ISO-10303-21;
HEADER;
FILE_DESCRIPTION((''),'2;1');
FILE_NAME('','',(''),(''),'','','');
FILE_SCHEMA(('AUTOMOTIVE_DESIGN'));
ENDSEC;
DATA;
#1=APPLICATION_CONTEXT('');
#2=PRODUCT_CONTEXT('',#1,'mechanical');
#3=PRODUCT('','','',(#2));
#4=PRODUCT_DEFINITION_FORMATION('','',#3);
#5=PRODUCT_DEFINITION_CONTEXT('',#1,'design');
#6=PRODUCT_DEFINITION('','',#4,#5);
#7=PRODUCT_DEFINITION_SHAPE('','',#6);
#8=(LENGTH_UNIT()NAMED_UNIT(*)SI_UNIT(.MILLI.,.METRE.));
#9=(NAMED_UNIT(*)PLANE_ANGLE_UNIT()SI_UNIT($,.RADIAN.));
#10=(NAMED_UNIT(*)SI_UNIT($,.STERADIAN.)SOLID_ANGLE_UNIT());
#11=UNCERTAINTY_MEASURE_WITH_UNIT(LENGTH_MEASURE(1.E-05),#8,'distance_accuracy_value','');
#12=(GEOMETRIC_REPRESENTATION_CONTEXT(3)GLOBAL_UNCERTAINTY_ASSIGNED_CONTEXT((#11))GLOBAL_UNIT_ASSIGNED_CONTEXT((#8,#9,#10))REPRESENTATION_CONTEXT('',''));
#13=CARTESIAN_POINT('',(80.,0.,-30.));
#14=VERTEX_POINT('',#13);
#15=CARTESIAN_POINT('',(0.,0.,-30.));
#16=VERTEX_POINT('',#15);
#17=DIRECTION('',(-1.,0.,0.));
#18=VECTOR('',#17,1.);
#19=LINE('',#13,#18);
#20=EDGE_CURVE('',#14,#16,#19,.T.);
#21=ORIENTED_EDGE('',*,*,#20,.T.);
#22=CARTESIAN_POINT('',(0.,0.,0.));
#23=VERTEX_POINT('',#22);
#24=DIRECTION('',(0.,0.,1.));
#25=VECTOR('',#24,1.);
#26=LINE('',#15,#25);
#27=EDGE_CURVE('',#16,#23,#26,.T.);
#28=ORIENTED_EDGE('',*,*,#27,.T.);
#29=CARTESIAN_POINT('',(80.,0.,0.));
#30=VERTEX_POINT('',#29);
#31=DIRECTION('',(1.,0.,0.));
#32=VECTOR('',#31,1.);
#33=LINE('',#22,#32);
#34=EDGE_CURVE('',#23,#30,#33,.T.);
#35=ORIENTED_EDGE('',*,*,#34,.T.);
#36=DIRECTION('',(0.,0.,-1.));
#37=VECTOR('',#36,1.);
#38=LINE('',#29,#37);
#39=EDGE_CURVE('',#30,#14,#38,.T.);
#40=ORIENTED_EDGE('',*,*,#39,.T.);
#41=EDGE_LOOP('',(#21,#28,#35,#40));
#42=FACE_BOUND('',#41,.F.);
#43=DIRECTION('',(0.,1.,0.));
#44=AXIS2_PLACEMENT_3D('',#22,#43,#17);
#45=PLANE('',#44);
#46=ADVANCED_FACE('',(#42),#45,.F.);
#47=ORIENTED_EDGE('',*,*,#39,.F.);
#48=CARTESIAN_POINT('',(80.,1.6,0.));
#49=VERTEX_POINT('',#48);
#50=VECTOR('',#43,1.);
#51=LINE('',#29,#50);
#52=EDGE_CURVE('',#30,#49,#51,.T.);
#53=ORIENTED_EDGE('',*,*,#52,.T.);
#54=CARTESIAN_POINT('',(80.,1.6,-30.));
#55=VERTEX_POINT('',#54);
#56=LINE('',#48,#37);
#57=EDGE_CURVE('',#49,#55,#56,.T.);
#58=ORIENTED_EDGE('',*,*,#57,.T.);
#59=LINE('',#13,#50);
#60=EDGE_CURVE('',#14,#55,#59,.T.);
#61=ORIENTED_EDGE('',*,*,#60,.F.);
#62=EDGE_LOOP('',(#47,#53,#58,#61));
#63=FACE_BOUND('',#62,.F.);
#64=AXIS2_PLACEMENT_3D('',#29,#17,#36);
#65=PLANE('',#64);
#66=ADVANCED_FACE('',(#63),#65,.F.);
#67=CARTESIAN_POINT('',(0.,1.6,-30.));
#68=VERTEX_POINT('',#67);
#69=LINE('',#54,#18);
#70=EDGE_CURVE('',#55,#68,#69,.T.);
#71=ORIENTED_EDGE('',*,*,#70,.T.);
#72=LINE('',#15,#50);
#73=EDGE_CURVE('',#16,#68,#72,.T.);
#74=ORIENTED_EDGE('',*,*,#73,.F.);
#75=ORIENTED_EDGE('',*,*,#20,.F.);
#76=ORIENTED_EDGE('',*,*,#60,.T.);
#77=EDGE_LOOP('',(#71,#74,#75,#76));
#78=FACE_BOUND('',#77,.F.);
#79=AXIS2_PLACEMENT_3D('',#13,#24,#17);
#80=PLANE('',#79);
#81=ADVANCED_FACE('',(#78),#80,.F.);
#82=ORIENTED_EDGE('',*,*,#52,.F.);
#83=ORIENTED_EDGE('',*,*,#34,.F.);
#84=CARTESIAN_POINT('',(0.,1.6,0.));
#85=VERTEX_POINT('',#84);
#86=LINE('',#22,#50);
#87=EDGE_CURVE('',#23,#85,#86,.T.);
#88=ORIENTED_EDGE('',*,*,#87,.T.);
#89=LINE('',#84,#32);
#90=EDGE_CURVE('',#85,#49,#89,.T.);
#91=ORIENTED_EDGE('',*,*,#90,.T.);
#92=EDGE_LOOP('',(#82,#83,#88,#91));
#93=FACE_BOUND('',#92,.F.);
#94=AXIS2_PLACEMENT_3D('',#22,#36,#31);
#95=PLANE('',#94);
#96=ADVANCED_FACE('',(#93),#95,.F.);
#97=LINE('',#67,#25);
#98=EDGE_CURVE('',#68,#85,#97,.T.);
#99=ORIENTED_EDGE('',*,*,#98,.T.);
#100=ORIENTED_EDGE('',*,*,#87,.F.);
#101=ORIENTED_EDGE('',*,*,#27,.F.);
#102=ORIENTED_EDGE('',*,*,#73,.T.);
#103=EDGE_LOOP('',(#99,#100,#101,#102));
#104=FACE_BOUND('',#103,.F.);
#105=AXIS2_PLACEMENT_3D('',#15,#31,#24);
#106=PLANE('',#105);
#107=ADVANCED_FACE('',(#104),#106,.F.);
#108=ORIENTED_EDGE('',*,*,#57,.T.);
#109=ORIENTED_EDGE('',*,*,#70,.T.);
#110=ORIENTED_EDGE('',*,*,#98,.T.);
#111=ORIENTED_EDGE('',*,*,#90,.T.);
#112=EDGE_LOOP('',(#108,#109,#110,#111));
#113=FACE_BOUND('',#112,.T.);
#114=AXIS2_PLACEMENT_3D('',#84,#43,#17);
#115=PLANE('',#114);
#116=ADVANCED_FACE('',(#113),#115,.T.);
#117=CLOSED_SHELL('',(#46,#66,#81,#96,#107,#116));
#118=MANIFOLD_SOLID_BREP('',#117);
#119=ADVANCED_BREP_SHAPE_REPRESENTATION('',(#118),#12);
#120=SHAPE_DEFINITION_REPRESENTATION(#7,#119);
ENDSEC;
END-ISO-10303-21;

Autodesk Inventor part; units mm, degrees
ref_plane "YZ Plane" through (0, 0, 0) normal (1, 0, 0) x (0, 1, 0)
ref_plane "XZ Plane" through (0, 0, 0) normal (0, 1, 0) x (-1, 0, 0)
ref_plane "XY Plane" through (0, 0, 0) normal (0, 0, 1) x (1, 0, 0)
sketch "Sketch1" plane through (0, 0, 0) normal (0, 1, 0) x (-1, 0, 0)
  line L0 (0, 0) -> (-80, 0)
  line L1 (-80, 0) -> (-80, -30)
  line L2 (-80, -30) -> (0, -30)
  line L3 (0, -30) -> (0, 0)
  dimension "d0" = 80
  dimension "d1" = 30
extrude "Extrusion1" add sketch "Sketch1" along normal blind 1.6
properties part number "2020-04-02-10-10301-Outline_BottomPCB" material "ABS Plastic"
